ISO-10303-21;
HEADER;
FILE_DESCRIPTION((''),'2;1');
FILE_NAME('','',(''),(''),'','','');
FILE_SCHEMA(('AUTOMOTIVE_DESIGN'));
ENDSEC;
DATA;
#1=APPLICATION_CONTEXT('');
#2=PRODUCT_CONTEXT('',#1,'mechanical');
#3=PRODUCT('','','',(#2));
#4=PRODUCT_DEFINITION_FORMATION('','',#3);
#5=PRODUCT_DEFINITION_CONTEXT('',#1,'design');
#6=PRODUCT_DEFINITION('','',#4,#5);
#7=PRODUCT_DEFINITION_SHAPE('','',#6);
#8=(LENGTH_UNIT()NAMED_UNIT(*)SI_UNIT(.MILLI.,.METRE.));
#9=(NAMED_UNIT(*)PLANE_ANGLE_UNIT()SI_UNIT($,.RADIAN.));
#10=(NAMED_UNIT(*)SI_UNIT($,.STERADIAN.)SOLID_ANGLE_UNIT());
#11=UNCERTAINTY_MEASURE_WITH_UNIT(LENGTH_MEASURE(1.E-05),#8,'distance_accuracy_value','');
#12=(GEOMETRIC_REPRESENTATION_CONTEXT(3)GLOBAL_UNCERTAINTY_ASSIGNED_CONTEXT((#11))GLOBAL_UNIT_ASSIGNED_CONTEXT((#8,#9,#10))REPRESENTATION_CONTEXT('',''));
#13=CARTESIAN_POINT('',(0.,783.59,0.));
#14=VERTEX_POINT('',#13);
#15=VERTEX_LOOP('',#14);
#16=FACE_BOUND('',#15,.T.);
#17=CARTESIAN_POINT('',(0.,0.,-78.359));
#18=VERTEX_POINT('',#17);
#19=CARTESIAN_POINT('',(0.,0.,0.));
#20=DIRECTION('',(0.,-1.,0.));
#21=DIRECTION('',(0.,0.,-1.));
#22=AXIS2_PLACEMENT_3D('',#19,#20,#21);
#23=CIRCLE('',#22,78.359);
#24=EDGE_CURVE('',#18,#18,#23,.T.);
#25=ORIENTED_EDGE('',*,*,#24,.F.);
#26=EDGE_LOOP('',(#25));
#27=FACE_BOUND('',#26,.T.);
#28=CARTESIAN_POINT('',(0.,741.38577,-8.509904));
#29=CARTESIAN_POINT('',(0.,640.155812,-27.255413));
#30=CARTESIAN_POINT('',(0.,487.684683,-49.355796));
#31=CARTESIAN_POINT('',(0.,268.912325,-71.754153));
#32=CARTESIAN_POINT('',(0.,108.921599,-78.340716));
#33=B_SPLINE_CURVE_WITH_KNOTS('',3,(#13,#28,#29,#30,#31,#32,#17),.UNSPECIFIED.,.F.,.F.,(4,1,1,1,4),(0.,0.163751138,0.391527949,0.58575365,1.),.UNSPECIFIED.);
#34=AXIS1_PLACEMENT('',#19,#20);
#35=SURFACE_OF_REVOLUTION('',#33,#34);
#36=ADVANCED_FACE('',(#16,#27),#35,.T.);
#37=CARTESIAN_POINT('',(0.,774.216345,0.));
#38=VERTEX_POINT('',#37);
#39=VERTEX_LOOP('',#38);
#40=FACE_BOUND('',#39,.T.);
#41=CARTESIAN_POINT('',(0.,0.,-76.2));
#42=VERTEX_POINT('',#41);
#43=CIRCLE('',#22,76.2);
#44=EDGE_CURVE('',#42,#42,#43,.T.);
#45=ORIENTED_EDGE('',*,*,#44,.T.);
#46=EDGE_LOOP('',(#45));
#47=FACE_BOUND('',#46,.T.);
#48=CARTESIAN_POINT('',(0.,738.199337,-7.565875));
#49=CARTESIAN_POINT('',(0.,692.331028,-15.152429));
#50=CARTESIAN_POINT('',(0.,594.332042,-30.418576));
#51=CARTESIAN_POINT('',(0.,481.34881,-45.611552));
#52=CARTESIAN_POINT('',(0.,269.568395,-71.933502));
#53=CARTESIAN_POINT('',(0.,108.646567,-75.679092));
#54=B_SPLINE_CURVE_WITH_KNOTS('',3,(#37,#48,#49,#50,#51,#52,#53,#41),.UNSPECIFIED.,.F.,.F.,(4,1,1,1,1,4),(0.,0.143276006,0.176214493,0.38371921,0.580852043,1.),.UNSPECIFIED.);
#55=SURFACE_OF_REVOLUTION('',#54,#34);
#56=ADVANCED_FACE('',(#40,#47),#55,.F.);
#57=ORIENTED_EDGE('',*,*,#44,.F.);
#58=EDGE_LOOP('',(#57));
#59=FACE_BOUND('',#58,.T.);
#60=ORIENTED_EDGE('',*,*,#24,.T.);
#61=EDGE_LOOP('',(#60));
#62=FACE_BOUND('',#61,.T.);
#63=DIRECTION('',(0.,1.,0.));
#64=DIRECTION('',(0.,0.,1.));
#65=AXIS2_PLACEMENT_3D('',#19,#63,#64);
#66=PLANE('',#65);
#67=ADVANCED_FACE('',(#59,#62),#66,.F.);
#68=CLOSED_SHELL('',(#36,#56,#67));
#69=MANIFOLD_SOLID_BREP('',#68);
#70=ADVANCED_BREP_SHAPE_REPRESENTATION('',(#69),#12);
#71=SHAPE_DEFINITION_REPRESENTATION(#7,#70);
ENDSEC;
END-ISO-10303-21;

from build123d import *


with BuildPart() as part:
    # Sketch1 → Revolve1 (revolve)
    with BuildSketch(Plane(origin=(0, 0, 0), x_dir=(0, 0, -1), z_dir=(1, 0, 0))):
        with BuildLine():
            Line((76.2, 0), (78.359, 0))
            add(Edge.make_bspline(
                [(74.5236, 173.99), (77.07256008, 116.0310849), (78.349261293, 58.01558305), (78.359, 0)],
                knots=[0.779357411, 0.779357411, 0.779357411, 0.779357411, 1, 1, 1, 1], degree=3))
            Line((74.5236, 173.99), (72.834586455, 173.99))
            add(Edge.make_bspline(
                [(72.834586455, 173.99), (75.070189235, 115.962788806), (75.922551541, 57.867863687), (76.2, 0)],
                knots=[0.776751373, 0.776751373, 0.776751373, 0.776751373, 1, 1, 1, 1], degree=3))
        make_face()
        with BuildLine():
            Line((72.834586455, 173.99), (74.5236, 173.99))
            add(Edge.make_bspline(
                [(64.8716, 326.39), (69.070863692, 275.659016745), (72.28700433, 224.846292173), (74.5236, 173.99)],
                knots=[0.58575365, 0.58575365, 0.58575365, 0.58575365, 0.779357411, 0.779357411, 0.779357411, 0.779357411], degree=3))
            Line((64.8716, 326.39), (63.207975394, 326.39))
            add(Edge.make_bspline(
                [(63.207975394, 326.39), (67.846041191, 275.774919343), (70.87285844, 224.908529388), (72.834586455, 173.99)],
                knots=[0.580852043, 0.580852043, 0.580852043, 0.580852043, 0.776751373, 0.776751373, 0.776751373, 0.776751373], degree=3))
        make_face()
        with BuildLine():
            Line((63.207975394, 326.39), (64.8716, 326.39))
            add(Edge.make_bspline(
                [(49.276, 478.79), (55.456643265, 428.095639043), (60.65884645, 377.283953191), (64.8716, 326.39)],
                knots=[0.391527949, 0.391527949, 0.391527949, 0.391527949, 0.58575365, 0.58575365, 0.58575365, 0.58575365], degree=3))
            Line((49.276, 478.79), (45.677088337, 478.79))
            add(Edge.make_bspline(
                [(45.677088337, 478.79), (52.241832325, 428.00308453), (58.540705485, 377.323784294), (63.207975394, 326.39)],
                knots=[0.38371921, 0.38371921, 0.38371921, 0.38371921, 0.580852043, 0.580852043, 0.580852043, 0.580852043], degree=3))
        make_face()
        with BuildLine():
            Line((45.677088337, 478.79), (49.276, 478.79))
            add(Edge.make_bspline(
                [(23.495, 656.59), (33.433715014, 597.531543666), (42.027694502, 538.241451817), (49.276, 478.79)],
                knots=[0.163751138, 0.163751138, 0.163751138, 0.163751138, 0.391527949, 0.391527949, 0.391527949, 0.391527949], degree=3))
            Line((23.495, 656.59), (20.714159162, 656.59))
            add(Edge.make_bspline(
                [(20.714159162, 656.59), (21.636899539, 650.690493642), (30.761701099, 591.780379646), (38.766948962, 532.249002357), (45.677088337, 478.79)],
                knots=[0.153158413, 0.153158413, 0.153158413, 0.153158413, 0.176214493, 0.38371921, 0.38371921, 0.38371921, 0.38371921], degree=3))
        make_face()
        with BuildLine():
            Line((20.714159162, 656.59), (23.495, 656.59))
            add(Edge.make_bspline(
                [(9.906, 732.79), (14.681657927, 707.435014667), (19.213128689, 682.034004534), (23.495, 656.59)],
                knots=[0.065618634, 0.065618634, 0.065618634, 0.065618634, 0.163751138, 0.163751138, 0.163751138, 0.163751138], degree=3))
            Line((9.906, 732.79), (8.060127879, 732.79))
            add(Edge.make_bspline(
                [(8.060127879, 732.79), (12.189627588, 709.995264831), (16.344706011, 684.421026702), (20.318649784, 659.11867453), (20.714159162, 656.59)],
                knots=[0.054334345, 0.054334345, 0.054334345, 0.054334345, 0.143276006, 0.153158413, 0.153158413, 0.153158413, 0.153158413], degree=3))
        make_face()
        with BuildLine():
            Line((8.060127879, 732.79), (9.906, 732.79))
            add(Edge.make_bspline(
                [(0, 783.59), (3.41010332, 766.67784951), (6.712642709, 749.744214166), (9.906, 732.79)],
                knots=[0, 0, 0, 0, 0.065618634, 0.065618634, 0.065618634, 0.065618634], degree=3))
            Line((0, 783.59), (0, 774.216344916))
            add(Edge.make_bspline(
                [(0, 774.216344916), (2.869195373, 760.557669013), (5.53742186, 746.715274168), (8.060127879, 732.79)],
                knots=[0, 0, 0, 0, 0.054334345, 0.054334345, 0.054334345, 0.054334345], degree=3))
        make_face()
    revolve(axis=Axis((0, 0, 0), (0, 1, 0)))


solid = part.part
